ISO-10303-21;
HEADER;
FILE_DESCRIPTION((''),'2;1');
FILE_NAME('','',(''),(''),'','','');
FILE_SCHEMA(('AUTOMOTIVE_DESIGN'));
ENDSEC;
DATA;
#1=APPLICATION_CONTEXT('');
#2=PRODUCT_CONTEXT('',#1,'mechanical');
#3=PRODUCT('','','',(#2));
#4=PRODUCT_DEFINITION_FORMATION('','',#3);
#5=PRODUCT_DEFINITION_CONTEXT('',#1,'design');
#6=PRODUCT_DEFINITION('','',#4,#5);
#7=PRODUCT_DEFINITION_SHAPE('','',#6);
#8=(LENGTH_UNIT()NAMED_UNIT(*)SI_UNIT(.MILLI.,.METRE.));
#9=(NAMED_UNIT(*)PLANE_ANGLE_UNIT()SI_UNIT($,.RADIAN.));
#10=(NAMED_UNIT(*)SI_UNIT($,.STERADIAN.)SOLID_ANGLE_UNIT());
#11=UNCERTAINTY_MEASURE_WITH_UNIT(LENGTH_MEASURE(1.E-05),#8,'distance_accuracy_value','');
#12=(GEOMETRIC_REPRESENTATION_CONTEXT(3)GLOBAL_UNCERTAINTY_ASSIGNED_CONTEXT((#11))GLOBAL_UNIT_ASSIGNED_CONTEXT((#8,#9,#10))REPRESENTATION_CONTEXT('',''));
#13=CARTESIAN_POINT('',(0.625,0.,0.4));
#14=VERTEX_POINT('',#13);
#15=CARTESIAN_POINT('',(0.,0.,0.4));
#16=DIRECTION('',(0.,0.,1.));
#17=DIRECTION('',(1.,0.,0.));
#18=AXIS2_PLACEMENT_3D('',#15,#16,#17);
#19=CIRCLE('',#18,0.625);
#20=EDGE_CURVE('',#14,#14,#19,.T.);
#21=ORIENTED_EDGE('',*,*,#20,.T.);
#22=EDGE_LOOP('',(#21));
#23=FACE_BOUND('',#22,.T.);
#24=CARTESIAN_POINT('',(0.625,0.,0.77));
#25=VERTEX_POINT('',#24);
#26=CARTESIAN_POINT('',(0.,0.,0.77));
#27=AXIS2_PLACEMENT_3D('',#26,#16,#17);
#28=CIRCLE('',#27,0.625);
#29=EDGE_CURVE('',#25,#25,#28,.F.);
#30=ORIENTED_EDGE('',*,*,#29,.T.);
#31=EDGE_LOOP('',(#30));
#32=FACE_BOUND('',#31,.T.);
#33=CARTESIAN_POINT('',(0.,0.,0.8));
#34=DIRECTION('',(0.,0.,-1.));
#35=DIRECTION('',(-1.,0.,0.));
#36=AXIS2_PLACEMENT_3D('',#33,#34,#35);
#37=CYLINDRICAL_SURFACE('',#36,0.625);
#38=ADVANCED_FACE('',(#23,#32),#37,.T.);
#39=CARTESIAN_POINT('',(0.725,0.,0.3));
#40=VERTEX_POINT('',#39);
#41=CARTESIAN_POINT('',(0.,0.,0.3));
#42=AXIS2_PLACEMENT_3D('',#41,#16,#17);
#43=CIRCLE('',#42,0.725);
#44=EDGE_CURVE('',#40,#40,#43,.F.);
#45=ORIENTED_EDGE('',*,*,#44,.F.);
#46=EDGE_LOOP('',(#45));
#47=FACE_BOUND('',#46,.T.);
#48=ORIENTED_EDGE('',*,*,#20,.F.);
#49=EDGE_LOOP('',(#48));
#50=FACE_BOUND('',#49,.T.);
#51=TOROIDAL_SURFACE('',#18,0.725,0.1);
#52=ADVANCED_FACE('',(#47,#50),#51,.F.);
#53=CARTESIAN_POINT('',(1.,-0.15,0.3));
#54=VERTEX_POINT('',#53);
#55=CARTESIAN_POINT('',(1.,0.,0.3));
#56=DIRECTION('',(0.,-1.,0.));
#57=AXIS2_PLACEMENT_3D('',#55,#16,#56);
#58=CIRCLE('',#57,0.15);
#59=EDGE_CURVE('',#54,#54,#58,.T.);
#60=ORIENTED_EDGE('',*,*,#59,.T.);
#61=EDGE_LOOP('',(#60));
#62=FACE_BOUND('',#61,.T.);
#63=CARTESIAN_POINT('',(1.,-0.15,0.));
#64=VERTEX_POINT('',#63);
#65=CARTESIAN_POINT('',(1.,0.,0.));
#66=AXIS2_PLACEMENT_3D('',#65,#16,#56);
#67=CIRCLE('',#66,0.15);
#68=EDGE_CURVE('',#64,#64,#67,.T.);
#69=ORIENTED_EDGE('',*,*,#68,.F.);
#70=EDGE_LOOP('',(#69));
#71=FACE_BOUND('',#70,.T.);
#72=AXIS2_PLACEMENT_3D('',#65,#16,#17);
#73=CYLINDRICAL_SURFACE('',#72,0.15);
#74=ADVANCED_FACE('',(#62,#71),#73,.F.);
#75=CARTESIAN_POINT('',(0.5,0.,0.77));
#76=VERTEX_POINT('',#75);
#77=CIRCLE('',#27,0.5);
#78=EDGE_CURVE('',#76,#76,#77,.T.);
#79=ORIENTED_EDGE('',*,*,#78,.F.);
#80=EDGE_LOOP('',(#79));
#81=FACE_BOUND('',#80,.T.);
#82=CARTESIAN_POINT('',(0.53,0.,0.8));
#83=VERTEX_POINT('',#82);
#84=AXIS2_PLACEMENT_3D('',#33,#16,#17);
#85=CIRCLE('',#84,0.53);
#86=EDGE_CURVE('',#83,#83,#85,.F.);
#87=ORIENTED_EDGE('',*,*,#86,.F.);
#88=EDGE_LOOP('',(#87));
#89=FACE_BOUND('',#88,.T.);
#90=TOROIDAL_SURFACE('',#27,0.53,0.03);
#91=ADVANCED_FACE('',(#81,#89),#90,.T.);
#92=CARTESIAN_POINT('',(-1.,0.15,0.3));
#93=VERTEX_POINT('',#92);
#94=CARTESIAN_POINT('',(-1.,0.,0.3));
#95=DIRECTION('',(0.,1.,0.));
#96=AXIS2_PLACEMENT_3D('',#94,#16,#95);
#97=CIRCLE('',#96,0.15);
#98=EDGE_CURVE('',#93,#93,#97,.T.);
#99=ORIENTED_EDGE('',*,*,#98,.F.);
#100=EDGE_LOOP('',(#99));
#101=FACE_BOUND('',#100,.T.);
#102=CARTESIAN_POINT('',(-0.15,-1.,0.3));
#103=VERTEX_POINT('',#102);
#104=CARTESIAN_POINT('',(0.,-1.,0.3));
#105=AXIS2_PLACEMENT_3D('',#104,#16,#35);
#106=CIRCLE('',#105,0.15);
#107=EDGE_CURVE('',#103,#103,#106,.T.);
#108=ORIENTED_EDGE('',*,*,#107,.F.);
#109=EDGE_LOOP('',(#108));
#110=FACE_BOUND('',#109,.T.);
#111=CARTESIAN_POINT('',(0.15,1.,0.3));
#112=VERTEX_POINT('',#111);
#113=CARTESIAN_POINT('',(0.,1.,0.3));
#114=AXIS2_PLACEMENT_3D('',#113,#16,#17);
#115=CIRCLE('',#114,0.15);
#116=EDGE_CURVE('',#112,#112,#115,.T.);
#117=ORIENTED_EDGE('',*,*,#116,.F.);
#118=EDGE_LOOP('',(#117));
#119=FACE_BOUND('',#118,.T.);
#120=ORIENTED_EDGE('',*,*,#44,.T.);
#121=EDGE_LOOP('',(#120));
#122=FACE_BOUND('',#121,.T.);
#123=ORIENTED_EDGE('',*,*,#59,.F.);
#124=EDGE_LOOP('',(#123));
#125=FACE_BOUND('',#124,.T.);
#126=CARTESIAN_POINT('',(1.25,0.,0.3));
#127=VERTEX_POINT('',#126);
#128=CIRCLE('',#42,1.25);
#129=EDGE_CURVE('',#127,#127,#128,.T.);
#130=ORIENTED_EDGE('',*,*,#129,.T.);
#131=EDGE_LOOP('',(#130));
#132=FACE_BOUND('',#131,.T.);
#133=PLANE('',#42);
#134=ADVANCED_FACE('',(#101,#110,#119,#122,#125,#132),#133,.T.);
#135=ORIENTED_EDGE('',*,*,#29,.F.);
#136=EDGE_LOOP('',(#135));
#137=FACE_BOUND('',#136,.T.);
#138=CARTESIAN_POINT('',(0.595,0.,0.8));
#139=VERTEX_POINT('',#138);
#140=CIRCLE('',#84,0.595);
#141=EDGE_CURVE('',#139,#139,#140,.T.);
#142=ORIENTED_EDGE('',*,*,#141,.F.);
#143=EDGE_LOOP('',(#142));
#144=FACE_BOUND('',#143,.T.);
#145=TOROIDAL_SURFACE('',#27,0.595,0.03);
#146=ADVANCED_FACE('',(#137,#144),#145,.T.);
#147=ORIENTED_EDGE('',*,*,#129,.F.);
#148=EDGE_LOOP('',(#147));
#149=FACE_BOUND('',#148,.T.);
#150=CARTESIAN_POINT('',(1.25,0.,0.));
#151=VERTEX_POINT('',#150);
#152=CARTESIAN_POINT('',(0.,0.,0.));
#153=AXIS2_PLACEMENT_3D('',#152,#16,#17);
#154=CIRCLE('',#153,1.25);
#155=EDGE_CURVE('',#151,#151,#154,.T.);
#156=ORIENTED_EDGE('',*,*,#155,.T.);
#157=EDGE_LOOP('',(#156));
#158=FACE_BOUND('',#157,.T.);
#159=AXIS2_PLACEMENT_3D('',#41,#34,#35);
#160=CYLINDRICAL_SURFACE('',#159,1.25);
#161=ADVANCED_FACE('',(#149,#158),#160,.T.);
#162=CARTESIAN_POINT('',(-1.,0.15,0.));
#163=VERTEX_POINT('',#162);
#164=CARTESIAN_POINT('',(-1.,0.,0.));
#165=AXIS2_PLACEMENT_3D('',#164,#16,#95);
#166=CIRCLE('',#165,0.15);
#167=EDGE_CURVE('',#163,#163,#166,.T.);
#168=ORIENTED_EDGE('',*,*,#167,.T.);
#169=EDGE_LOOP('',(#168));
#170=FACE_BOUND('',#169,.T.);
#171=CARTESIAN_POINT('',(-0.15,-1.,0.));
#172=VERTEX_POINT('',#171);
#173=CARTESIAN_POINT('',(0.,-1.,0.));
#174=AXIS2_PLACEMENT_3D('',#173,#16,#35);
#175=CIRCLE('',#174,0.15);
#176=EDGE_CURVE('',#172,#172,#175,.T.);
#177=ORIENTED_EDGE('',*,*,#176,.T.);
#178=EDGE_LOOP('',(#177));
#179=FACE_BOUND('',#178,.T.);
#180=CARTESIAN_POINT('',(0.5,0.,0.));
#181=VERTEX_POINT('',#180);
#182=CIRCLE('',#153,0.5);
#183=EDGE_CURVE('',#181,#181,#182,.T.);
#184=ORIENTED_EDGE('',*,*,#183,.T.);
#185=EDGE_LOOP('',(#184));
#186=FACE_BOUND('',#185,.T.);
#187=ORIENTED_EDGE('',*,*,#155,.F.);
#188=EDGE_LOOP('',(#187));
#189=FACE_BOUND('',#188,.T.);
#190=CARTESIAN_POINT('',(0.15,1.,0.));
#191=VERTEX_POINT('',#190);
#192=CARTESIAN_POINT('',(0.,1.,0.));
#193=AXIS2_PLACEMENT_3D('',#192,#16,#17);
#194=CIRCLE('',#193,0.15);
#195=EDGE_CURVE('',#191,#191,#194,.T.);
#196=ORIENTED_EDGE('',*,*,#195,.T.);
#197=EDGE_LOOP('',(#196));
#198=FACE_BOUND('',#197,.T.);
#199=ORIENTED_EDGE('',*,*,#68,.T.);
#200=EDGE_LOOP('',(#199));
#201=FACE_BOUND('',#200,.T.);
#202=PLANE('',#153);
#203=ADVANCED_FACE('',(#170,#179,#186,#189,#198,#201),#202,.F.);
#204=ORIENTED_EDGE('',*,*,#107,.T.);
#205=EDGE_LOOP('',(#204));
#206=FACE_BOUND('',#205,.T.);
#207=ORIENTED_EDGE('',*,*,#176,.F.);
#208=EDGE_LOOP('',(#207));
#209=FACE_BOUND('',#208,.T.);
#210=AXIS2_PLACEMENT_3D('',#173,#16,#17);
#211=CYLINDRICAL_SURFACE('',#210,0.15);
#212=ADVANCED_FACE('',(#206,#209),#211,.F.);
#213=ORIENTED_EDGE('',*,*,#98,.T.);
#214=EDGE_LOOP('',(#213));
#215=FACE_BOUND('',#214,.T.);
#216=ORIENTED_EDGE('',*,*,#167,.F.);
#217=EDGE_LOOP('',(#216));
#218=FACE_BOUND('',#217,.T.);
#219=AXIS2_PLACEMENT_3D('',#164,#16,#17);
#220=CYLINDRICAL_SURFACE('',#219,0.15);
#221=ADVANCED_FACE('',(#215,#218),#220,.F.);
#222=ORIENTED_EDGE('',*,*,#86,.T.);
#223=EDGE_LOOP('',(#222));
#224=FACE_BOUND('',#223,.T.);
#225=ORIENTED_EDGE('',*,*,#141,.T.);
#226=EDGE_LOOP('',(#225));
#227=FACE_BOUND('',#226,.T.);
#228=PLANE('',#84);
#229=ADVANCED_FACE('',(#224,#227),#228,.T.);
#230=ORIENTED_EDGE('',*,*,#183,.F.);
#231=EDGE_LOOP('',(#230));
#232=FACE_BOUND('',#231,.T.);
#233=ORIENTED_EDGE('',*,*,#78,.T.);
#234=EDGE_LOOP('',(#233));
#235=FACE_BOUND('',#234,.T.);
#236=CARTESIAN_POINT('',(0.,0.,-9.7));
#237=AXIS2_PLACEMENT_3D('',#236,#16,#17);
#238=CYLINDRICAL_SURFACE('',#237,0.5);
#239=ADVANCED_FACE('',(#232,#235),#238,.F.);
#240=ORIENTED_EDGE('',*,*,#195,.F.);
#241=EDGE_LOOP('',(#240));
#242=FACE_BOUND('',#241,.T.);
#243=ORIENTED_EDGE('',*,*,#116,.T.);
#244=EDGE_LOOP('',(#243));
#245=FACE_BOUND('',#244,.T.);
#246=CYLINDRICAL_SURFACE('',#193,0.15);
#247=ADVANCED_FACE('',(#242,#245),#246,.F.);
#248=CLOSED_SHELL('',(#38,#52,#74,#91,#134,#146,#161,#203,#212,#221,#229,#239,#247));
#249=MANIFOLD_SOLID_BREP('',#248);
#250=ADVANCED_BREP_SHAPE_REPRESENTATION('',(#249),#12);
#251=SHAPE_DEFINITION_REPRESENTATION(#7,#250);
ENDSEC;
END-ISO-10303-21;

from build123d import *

# Parameters (mm, degrees)
SKETCH1_R           = 1.25
BOSS_EXTRUDE1_DEPTH = 0.3
SKETCH2_R           = 0.15
CUT_EXTRUDE1_DEPTH  = 0.3
CIRPATTERN2_COUNT   = 4
SKETCH3_R           = 0.625
BOSS_EXTRUDE2_DEPTH = 0.5
SKETCH4_R           = 0.5
CUT_EXTRUDE3_DEPTH  = 10.5
FILLET2_R           = 0.1
FILLET6_R           = 0.03


with BuildPart() as part:
    # Sketch1 → Boss-Extrude1 (new body)
    with BuildSketch(Plane.XY):
        Circle(SKETCH1_R)
    extrude(amount=BOSS_EXTRUDE1_DEPTH)

    # Sketch2 → Cut-Extrude1 (cut)
    with BuildSketch(Plane.XY.offset(0.3)):
        with Locations((0, 1)):
            Circle(SKETCH2_R)
    cut_extrude1 = extrude(amount=-CUT_EXTRUDE1_DEPTH, mode=Mode.SUBTRACT)

    # CirPattern2: Cut-Extrude1 ×4 about axis
    cirpattern2_axis = Axis((0, 0, 0), (0, 0, 1))
    for i in range(1, CIRPATTERN2_COUNT):
        add(cut_extrude1.rotate(cirpattern2_axis, i * 360 / CIRPATTERN2_COUNT), mode=Mode.SUBTRACT)

    # Sketch3 → Boss-Extrude2 (add)
    with BuildSketch(Plane.XY.offset(0.3)):
        Circle(SKETCH3_R)
    extrude(amount=BOSS_EXTRUDE2_DEPTH)

    # Sketch4 → Cut-Extrude3 (cut)
    with BuildSketch(Plane.XY.offset(0.8)):
        Circle(SKETCH4_R)
    extrude(amount=-CUT_EXTRUDE3_DEPTH, mode=Mode.SUBTRACT)

    # Fillet2
    fillet2_edges = [part.edges().sort_by_distance(p)[0] for p in [
        (-0.625, 0, 0.3),
    ]]
    fillet(fillet2_edges, radius=FILLET2_R)

    # Fillet6
    fillet6_edges = [part.edges().sort_by_distance(p)[0] for p in [
        (-0.625, 0, 0.8),
        (-0.5, 0, 0.8),
    ]]
    fillet(fillet6_edges, radius=FILLET6_R)


solid = part.part
